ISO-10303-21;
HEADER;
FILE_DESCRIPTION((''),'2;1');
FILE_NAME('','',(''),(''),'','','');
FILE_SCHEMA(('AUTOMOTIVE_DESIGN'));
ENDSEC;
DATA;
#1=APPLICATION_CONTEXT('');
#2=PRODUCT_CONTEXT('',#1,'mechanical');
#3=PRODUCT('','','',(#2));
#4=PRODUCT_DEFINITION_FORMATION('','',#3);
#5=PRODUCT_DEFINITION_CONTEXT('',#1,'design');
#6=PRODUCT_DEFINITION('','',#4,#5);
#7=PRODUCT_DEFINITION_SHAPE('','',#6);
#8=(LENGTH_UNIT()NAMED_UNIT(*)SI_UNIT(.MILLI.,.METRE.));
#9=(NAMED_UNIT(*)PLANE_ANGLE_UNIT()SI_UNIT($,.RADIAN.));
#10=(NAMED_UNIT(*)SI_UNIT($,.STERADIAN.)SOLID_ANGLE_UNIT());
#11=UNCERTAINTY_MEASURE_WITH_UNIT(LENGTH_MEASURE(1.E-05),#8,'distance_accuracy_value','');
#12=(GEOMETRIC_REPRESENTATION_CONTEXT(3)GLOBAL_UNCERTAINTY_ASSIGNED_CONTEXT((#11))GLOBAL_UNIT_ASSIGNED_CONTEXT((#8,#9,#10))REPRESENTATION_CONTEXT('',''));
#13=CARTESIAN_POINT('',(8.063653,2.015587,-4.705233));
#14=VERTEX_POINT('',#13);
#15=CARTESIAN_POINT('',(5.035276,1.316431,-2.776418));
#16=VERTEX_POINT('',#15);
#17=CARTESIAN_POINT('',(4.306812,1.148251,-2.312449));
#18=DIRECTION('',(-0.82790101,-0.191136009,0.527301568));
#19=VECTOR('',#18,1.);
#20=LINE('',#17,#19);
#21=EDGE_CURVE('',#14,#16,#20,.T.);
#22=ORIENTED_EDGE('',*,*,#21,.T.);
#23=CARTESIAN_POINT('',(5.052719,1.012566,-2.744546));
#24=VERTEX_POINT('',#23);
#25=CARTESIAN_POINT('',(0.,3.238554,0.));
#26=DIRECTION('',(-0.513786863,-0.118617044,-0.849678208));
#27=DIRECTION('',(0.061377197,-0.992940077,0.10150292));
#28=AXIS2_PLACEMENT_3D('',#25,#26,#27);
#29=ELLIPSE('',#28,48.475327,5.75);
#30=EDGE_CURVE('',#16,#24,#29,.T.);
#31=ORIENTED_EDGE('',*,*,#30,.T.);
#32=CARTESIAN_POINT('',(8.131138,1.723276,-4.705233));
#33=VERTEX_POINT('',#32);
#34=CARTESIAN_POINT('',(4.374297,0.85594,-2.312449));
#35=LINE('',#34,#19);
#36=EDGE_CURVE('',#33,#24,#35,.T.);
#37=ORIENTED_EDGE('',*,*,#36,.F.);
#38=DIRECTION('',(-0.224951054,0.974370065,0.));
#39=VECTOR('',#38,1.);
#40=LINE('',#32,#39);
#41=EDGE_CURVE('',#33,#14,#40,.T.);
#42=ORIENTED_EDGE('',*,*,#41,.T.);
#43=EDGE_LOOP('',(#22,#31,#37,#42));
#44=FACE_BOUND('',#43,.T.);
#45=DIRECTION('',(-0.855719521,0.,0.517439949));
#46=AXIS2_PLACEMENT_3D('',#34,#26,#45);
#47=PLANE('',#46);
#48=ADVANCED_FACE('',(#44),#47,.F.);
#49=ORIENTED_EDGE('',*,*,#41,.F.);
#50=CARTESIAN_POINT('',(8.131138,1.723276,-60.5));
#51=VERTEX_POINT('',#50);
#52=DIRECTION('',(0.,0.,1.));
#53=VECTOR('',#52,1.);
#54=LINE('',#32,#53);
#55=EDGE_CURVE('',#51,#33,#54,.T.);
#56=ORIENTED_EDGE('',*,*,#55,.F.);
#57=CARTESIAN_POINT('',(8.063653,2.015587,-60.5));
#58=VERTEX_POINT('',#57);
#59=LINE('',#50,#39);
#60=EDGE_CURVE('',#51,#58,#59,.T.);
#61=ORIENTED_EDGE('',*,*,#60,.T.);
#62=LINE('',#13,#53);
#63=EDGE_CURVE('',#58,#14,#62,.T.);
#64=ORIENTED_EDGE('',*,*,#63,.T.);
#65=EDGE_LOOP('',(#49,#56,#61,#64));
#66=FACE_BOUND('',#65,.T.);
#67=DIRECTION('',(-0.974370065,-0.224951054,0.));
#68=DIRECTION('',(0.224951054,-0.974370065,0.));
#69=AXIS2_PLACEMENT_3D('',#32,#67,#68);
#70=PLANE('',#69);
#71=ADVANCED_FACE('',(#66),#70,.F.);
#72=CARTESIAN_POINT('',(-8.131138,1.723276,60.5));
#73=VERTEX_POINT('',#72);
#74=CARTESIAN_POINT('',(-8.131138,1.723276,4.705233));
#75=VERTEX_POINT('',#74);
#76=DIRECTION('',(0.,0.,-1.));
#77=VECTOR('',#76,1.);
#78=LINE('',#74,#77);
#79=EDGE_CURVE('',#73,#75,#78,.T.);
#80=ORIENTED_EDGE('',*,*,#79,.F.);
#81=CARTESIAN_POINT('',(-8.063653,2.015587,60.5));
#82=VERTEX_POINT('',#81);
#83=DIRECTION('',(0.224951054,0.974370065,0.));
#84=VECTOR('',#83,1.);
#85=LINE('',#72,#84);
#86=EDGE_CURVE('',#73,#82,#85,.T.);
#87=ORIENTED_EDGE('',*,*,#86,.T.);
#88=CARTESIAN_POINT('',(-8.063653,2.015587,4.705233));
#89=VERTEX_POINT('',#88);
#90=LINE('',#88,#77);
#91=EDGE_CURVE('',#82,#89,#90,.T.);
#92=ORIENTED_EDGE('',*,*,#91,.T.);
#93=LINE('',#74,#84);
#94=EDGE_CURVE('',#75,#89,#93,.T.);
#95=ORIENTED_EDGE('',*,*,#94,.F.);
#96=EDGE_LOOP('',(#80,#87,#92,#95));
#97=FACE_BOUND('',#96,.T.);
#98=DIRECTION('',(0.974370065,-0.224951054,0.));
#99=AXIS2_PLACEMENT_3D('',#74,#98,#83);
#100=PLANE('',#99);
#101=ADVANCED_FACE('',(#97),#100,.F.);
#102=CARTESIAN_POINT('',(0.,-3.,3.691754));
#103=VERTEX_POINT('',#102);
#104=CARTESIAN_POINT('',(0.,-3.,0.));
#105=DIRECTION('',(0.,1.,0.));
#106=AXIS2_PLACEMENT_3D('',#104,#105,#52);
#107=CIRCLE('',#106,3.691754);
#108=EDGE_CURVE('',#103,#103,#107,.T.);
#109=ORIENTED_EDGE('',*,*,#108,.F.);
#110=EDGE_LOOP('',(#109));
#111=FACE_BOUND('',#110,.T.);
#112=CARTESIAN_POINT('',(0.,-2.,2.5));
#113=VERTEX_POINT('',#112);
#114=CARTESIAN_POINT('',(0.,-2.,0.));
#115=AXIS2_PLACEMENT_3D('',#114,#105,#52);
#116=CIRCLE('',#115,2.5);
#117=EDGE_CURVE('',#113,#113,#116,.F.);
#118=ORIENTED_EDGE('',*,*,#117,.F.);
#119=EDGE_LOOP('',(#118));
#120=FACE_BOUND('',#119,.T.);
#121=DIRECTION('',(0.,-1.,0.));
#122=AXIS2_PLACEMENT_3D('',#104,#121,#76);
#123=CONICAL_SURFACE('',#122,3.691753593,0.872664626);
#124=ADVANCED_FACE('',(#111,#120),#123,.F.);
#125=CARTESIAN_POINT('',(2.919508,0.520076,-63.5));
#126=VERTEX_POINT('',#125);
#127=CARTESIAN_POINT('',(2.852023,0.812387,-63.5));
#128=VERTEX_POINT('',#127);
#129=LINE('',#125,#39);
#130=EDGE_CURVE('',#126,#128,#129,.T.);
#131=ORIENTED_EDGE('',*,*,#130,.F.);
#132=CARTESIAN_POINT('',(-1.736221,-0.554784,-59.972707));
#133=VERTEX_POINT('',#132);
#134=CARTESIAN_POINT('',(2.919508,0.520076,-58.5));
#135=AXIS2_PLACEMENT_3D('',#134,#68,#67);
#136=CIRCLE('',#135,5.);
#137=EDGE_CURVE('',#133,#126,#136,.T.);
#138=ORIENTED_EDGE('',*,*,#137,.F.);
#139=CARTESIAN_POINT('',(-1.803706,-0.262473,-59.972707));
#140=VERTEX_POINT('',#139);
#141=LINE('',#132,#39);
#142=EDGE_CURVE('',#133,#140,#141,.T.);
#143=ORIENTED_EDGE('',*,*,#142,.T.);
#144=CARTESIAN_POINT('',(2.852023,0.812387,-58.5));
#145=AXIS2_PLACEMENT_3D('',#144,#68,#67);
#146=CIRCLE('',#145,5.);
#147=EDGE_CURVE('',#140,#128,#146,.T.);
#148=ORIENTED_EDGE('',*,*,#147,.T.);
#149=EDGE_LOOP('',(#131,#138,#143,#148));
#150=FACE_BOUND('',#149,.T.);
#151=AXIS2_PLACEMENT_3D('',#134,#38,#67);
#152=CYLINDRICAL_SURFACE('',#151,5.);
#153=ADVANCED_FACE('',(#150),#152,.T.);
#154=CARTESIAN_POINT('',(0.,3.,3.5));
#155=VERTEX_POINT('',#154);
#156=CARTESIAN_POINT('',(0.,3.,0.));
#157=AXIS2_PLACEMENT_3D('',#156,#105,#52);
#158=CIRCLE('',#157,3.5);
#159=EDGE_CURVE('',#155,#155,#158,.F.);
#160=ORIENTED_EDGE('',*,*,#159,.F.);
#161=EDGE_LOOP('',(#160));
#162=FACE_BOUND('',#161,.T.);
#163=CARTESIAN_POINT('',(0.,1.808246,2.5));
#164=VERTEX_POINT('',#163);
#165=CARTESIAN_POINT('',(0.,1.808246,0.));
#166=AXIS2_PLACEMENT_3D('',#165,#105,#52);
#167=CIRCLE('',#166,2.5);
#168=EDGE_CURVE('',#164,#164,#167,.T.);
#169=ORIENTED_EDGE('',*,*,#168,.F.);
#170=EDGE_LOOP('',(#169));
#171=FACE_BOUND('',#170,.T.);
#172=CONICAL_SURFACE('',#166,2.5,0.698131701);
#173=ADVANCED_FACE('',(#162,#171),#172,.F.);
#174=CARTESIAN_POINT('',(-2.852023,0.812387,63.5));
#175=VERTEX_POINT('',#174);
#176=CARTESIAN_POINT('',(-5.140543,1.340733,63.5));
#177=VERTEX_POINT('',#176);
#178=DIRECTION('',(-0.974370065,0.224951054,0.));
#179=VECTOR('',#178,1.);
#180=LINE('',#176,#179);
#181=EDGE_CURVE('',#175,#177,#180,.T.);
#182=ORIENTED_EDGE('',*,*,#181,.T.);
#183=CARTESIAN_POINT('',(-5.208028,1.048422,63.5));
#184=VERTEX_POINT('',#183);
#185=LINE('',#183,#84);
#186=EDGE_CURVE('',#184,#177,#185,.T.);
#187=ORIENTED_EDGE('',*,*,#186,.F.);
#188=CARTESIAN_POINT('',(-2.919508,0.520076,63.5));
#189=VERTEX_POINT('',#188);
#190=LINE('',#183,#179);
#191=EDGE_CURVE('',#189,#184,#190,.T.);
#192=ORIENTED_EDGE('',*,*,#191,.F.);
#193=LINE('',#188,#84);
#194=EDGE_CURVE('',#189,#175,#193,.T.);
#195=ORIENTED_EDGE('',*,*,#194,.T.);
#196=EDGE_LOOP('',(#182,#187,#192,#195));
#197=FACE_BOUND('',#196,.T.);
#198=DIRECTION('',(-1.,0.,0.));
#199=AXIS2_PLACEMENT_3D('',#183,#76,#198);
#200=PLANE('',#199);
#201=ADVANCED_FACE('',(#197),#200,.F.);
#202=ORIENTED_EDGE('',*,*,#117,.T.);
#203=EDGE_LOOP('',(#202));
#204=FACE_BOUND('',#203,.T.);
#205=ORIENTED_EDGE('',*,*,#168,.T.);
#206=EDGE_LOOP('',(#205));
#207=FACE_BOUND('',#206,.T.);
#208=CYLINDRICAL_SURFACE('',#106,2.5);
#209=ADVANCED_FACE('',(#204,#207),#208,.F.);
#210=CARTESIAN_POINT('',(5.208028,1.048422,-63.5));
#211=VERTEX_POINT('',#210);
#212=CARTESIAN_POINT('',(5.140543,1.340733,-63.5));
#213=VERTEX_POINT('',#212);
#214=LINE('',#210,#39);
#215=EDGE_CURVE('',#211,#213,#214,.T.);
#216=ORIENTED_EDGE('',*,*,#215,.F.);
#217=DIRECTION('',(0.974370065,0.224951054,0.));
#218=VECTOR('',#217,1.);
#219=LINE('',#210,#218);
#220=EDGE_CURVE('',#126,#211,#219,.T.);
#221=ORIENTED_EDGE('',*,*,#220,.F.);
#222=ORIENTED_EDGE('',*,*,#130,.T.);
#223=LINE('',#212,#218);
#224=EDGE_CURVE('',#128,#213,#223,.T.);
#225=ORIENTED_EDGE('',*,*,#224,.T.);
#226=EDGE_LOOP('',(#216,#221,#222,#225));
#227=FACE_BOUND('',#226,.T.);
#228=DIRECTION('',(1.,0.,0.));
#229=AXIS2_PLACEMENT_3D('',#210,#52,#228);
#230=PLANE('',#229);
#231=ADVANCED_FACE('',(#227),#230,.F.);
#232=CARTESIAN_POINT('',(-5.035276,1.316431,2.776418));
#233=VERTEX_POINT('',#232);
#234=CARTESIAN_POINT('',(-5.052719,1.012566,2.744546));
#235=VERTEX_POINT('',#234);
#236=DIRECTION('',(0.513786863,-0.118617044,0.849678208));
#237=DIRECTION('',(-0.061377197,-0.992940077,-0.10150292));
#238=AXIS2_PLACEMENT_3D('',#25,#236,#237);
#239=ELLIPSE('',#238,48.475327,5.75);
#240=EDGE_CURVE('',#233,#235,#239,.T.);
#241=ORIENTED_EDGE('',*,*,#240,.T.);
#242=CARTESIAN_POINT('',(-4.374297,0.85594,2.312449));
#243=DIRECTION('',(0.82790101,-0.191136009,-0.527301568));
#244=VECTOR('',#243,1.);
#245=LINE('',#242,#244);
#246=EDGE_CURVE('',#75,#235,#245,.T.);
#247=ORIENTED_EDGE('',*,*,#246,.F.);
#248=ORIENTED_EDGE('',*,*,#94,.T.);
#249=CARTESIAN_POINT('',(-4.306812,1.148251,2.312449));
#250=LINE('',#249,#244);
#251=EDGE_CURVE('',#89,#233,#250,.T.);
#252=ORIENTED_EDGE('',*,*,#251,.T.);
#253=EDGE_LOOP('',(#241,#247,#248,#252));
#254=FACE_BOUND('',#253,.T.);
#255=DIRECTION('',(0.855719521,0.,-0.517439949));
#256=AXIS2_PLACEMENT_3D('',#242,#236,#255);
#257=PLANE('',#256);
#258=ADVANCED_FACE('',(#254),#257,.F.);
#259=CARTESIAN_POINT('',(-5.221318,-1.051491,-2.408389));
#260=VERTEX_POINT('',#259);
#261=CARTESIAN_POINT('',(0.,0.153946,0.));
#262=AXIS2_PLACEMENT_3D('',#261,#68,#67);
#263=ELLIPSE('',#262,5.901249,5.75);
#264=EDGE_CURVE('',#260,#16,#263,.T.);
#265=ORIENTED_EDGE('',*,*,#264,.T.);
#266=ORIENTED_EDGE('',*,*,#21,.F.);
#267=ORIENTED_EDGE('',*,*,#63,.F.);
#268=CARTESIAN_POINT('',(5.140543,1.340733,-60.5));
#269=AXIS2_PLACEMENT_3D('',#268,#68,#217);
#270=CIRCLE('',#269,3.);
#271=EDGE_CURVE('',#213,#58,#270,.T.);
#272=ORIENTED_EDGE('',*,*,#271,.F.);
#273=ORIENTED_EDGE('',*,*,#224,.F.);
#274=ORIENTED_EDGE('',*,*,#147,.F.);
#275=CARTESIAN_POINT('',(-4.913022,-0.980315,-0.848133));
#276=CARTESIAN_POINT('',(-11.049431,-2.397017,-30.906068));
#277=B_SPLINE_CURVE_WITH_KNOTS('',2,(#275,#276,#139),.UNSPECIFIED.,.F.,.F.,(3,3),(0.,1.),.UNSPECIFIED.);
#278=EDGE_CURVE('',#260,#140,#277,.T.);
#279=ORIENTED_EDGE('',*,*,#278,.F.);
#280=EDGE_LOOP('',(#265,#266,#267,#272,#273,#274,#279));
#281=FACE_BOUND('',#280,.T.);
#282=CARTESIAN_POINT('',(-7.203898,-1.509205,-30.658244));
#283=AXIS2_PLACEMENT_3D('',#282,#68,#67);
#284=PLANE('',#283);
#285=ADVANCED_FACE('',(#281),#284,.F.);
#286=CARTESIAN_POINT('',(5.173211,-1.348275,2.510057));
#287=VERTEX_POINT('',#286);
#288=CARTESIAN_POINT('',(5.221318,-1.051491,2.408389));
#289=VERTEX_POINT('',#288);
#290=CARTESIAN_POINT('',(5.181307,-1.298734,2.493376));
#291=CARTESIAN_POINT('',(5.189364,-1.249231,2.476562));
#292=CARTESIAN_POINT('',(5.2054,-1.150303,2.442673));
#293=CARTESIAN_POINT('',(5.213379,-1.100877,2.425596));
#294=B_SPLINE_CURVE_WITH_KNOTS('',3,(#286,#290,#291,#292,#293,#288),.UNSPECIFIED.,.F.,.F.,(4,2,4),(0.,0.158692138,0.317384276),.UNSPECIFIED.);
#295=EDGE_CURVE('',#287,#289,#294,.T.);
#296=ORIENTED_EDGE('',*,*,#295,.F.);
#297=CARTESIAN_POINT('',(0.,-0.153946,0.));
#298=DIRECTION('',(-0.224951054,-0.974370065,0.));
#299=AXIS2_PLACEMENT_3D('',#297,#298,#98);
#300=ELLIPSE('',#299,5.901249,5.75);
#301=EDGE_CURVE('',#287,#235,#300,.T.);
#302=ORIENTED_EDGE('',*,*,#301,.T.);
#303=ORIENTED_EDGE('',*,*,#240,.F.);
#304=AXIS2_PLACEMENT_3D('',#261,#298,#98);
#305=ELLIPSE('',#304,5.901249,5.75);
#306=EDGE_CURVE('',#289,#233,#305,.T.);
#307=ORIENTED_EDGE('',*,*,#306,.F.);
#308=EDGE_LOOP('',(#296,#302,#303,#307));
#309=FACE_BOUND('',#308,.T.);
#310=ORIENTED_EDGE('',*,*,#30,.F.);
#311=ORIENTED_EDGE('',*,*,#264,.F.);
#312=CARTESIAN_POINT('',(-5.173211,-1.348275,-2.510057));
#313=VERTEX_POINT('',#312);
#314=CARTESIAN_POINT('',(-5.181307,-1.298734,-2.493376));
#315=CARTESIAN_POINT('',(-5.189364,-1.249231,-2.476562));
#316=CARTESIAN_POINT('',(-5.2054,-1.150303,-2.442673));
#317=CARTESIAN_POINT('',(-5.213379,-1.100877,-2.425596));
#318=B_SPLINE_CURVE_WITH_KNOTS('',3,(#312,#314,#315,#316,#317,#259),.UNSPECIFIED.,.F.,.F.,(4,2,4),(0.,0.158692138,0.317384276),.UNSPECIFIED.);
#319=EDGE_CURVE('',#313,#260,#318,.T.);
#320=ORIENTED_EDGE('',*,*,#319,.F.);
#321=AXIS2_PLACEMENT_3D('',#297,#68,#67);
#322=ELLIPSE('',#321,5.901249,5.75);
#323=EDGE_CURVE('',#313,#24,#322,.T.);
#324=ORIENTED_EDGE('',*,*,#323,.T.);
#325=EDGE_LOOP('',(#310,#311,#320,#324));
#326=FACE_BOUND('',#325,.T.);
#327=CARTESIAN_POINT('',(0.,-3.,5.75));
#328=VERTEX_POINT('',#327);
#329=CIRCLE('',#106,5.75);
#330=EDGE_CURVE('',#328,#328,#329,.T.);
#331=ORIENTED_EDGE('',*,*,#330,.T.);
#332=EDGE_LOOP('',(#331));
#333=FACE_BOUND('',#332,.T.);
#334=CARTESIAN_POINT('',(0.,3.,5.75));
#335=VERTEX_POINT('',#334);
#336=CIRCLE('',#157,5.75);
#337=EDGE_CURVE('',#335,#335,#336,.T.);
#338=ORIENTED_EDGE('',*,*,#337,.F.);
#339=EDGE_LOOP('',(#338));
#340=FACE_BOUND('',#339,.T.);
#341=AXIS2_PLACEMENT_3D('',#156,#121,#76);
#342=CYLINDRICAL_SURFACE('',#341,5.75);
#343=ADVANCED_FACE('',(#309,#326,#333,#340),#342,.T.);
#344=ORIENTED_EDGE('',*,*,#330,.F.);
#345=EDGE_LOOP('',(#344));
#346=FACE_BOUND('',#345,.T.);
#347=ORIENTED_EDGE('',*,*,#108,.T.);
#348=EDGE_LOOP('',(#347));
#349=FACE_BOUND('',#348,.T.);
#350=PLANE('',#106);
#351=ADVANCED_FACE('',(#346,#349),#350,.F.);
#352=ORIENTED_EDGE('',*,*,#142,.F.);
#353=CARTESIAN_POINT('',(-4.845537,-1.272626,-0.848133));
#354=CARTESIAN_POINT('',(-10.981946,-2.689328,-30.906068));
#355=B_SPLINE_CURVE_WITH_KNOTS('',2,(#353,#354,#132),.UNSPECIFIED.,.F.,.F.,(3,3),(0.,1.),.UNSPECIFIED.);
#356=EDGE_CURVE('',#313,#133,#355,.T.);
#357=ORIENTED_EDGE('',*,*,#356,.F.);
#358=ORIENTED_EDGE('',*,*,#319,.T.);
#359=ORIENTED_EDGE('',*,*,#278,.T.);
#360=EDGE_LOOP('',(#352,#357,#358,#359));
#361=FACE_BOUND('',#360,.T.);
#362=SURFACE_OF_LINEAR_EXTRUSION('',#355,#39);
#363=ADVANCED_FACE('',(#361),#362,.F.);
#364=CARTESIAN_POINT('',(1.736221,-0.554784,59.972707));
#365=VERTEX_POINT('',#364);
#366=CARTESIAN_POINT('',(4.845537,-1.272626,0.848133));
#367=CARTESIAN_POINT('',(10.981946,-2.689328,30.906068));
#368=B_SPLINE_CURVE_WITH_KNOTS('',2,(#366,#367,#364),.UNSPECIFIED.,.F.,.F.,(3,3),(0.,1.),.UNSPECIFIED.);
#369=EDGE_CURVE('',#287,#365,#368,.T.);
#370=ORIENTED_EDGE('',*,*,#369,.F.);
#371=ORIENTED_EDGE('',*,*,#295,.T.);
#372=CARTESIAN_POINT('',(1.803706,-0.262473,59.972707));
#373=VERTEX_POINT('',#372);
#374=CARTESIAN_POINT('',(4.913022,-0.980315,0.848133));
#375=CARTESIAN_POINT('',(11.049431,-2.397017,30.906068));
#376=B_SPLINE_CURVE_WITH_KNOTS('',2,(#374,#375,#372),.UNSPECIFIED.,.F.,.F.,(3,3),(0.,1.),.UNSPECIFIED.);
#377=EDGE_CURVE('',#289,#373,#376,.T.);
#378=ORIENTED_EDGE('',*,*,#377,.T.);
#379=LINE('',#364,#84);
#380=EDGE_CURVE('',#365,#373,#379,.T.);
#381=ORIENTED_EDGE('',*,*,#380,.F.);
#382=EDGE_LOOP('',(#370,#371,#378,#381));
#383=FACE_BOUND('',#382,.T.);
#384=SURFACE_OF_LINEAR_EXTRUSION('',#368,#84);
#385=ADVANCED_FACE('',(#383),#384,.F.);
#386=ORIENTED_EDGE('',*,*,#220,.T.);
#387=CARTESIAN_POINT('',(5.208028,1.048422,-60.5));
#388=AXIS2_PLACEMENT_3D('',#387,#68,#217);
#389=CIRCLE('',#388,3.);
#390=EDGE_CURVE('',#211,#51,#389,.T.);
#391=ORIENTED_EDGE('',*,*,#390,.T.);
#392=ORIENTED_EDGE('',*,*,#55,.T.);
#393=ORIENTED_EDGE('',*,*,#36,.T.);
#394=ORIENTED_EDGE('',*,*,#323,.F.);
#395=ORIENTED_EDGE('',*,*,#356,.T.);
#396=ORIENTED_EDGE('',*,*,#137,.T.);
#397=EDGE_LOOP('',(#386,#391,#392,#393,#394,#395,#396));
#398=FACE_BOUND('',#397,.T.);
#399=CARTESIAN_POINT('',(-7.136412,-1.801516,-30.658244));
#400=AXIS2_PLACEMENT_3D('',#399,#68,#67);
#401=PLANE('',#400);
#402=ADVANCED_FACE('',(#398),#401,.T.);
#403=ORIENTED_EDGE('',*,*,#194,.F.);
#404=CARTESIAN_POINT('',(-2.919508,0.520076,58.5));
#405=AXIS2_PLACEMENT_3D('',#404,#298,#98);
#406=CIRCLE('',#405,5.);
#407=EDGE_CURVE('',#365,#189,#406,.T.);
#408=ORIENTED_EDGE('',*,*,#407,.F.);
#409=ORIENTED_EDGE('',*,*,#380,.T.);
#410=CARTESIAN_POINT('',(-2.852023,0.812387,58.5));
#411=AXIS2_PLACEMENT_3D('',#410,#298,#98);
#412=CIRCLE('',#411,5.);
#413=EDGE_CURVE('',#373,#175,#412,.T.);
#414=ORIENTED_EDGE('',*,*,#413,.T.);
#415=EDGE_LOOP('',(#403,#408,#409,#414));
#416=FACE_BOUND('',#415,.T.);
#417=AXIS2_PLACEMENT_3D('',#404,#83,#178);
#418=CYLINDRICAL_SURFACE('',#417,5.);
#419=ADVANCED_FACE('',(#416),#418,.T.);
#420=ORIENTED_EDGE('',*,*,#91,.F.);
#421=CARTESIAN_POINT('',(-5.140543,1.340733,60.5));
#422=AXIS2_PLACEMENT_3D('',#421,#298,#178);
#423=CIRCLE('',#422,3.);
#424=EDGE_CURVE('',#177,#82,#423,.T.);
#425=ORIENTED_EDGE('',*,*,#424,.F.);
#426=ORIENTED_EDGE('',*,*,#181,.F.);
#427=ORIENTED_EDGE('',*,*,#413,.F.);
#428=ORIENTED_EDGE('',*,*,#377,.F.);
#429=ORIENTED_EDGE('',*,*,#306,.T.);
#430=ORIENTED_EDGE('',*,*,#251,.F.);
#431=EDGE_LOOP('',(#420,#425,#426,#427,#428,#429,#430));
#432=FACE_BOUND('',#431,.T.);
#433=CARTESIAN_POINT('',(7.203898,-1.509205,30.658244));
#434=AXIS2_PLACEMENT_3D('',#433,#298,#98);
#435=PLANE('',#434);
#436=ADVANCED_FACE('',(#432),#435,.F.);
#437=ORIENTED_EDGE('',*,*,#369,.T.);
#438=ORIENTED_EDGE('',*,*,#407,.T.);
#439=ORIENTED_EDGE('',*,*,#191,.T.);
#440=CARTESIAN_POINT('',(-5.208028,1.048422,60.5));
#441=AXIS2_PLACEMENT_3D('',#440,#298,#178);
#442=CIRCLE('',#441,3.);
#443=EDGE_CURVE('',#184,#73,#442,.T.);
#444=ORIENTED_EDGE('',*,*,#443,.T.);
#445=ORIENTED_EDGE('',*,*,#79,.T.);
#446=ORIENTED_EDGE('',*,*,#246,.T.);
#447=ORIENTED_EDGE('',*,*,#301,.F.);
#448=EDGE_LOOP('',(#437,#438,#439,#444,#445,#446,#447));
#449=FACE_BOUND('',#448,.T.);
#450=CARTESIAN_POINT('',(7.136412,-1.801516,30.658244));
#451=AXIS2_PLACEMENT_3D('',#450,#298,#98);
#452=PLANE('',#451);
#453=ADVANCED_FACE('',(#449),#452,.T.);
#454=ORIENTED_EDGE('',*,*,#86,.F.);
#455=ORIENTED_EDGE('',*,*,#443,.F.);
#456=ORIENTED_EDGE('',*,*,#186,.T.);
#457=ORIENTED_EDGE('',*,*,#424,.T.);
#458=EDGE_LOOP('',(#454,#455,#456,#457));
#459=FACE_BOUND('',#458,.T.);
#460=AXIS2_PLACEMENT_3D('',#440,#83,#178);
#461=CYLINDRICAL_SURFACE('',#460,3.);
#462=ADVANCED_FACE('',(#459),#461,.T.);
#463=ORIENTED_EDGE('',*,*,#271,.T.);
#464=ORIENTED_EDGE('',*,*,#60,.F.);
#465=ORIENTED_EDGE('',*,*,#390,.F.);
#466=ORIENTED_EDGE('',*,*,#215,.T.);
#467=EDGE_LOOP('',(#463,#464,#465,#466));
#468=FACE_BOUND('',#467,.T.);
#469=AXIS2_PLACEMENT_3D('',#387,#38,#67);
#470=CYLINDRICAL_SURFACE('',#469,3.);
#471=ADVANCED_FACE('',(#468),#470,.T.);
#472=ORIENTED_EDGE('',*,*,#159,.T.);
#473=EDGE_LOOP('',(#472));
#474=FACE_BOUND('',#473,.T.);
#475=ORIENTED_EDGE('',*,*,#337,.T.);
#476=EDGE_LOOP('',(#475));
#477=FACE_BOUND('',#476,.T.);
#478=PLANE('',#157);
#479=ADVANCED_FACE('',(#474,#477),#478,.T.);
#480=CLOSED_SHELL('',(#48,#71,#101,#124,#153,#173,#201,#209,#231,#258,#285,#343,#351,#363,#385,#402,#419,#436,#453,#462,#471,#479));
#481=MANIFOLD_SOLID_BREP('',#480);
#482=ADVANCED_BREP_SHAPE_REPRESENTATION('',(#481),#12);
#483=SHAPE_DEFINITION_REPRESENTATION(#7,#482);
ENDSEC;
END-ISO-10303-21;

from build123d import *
from OCP.BRepFilletAPI import BRepFilletAPI_MakeChamfer

# Parameters (mm, degrees)
SKETCH1_R           = 5.75
BOSS_EXTRUDE1_DEPTH = 3
BOSS_EXTRUDE2_DEPTH = 0.15
CIRPATTERN1_COUNT   = 2
SKETCH4_R           = 2.5
CUT_EXTRUDE1_DEPTH  = 65.299031318
CHAMFER1_SIZE       = 1
CHAMFER1_SIZE2      = 1.191753593


with BuildPart() as part:
    # Sketch1 → Boss-Extrude1 (new, symmetric)
    with BuildSketch(Plane(origin=(0, 0, 0), x_dir=(1, 0, 0), z_dir=(0, 1, 0))):
        with Locations(Location((0, 0, 0), (0, 0, 270))):
            Circle(SKETCH1_R)
    extrude(amount=BOSS_EXTRUDE1_DEPTH, both=True)

    # Sketch3 → Boss-Extrude2 (add, symmetric)
    with BuildSketch(Plane(origin=(0, 0, 0), x_dir=(0.9743700647852351, -0.22495105434386548, 0), z_dir=(-0.2249510543438655, -0.9743700647852352, 0))):
        with BuildLine():
            Line((-4.454728917, 2.312449404), (-8.310390593, 4.705233436))
            Line((-8.310390593, 4.705233436), (-8.310390593, 60.5))
            ThreePointArc((-8.310390593, 60.5), (-7.431710937, 62.621320344), (-5.310390593, 63.5))
            Line((-5.310390593, 63.5), (-2.961672938, 63.5))
            ThreePointArc((-2.961672938, 63.5), (0.007877818, 62.522656871), (1.816520564, 59.972707322))
            add(Edge.make_bspline(
                [(1.816520564, 59.972707322), (11.305446488, 30.906067871), (5.007624384, 0.848133108)],
                knots=[0, 0, 0, 1, 1, 1], degree=2))
            add(Edge.make_bspline(
                [(-4.454728917, 2.312449404), (0.194469727, 8.941584866), (5.007624384, 0.848133108)],
                knots=[0, 0, 0, 1, 1, 1], degree=2))
        make_face()
    boss_extrude2 = extrude(amount=BOSS_EXTRUDE2_DEPTH, both=True)

    # CirPattern1: Boss-Extrude2 ×2 about axis
    cirpattern1_axis = Axis((0, -3, 0), (0, 1, 0))
    for i in range(1, CIRPATTERN1_COUNT):
        add(boss_extrude2.rotate(cirpattern1_axis, i * 360 / CIRPATTERN1_COUNT))

    # Sketch4 → Cut-Extrude1 (cut, through all)
    with BuildSketch(Plane(origin=(0, 3, 0), x_dir=(1, 0, 0), z_dir=(0, 1, 0))):
        with Locations(Location((0, 0, 0), (0, 0, 270))):
            Circle(SKETCH4_R)
    extrude(amount=-CUT_EXTRUDE1_DEPTH, mode=Mode.SUBTRACT)

    # Chamfer1: one chamfer whose edges measure the first distance from different faces: ONE call of the kernel's chamfer builder (chamfer() names one face for all edges)
    chamfer1_edges_1 = [part.edges().sort_by_distance(p)[0] for p in [
        (0, -3, -2.5),
    ]]
    chamfer1_side_1 = [part.faces().sort_by_distance(p)[0] for p in [
        (0, 0, -2.5),
    ]]
    chamfer1_edges_2 = [part.edges().sort_by_distance(p)[0] for p in [
        (0, 3, -2.5),
    ]]
    chamfer1_side_2 = [part.faces().sort_by_distance(p)[0] for p in [
        (0, 3, -5.58736544),
    ]]
    chamfer1 = BRepFilletAPI_MakeChamfer(part.part.solid().wrapped)
    for e in chamfer1_edges_1:
        chamfer1.Add(CHAMFER1_SIZE, CHAMFER1_SIZE2, e.wrapped, chamfer1_side_1[0].wrapped)  # the first distance lies on this face
    for e in chamfer1_edges_2:
        chamfer1.Add(CHAMFER1_SIZE, CHAMFER1_SIZE2, e.wrapped, chamfer1_side_2[0].wrapped)  # the first distance lies on this face
    add(Compound.cast(chamfer1.Shape()), mode=Mode.REPLACE)


solid = part.part
